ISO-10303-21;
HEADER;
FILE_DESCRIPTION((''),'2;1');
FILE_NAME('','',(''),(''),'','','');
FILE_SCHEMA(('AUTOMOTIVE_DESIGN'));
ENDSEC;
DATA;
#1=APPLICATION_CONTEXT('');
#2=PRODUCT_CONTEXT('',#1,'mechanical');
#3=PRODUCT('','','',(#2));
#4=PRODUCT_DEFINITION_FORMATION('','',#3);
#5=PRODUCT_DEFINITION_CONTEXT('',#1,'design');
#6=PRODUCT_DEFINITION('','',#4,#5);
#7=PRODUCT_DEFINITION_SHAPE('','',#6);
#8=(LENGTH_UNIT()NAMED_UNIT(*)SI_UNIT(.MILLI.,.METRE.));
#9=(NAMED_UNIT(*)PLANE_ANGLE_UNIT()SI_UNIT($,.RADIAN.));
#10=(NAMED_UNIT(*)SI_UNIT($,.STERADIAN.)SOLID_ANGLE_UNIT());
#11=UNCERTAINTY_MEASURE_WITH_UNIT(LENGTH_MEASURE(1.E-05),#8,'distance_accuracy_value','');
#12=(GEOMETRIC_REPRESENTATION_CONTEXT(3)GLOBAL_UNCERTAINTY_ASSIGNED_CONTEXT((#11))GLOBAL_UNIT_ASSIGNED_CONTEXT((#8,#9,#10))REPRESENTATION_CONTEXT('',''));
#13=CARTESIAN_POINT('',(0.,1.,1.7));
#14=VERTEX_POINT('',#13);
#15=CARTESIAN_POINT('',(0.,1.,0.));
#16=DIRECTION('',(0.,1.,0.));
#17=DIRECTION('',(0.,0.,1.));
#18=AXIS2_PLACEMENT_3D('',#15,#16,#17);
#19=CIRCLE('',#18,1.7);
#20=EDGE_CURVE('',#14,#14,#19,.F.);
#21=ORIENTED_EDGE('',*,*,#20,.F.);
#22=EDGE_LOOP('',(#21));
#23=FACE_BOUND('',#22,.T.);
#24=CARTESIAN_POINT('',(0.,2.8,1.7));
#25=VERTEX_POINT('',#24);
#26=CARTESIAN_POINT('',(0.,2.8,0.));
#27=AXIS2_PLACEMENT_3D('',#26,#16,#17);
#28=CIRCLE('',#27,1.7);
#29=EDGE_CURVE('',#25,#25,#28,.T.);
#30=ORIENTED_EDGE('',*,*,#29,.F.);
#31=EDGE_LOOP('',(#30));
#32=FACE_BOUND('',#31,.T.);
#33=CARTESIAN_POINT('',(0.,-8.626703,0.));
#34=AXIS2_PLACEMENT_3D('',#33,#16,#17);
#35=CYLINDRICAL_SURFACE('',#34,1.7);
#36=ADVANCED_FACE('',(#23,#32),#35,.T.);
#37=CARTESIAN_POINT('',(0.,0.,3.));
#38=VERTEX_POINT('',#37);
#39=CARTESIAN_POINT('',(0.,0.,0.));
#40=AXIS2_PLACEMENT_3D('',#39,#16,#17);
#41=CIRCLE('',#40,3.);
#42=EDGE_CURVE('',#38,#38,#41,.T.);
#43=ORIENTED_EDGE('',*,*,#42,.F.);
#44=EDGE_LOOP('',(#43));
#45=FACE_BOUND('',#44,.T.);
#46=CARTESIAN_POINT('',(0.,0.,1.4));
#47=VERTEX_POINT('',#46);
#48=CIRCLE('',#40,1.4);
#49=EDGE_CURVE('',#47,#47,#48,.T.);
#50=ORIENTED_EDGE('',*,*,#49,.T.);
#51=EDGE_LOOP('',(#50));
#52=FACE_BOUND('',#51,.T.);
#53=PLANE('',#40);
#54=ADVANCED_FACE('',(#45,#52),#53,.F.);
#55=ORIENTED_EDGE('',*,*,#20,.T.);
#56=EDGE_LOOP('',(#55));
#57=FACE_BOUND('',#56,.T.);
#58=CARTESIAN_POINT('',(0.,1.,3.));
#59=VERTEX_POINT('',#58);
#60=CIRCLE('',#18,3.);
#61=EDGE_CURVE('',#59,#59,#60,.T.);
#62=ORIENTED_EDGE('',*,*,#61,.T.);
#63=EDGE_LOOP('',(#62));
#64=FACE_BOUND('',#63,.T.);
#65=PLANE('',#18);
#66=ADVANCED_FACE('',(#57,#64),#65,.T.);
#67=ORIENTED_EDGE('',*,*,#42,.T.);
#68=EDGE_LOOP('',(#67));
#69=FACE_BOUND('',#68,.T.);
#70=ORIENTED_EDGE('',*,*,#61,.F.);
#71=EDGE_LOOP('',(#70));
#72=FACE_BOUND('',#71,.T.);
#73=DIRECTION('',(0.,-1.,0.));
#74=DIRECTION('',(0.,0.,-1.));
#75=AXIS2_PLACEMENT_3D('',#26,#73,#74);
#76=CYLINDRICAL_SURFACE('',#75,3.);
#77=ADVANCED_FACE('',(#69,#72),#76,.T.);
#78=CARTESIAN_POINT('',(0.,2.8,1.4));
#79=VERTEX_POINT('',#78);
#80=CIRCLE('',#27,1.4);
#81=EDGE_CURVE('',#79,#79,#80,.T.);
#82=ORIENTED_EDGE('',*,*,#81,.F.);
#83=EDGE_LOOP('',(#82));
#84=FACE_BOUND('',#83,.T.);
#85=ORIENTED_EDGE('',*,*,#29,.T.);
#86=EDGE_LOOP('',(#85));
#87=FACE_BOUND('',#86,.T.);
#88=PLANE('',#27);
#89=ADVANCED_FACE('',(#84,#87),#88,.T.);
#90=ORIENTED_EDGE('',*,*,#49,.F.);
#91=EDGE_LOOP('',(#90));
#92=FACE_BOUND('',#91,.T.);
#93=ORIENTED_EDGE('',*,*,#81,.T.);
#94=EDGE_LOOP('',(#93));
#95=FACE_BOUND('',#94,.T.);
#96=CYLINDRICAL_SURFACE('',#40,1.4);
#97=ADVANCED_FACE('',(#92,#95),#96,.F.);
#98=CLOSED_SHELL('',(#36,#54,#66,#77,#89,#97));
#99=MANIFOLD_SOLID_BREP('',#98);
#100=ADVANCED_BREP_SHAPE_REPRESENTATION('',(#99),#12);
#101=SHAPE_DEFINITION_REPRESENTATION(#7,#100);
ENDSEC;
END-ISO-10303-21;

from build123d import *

# Parameters (mm, degrees)
SKETCH_1_R          = 3
EXTRUDE_1_DEPTH     = 2.8
SKETCH_2_R          = 1.4
CUT_EXTRUDE_1_DEPTH = 6.083306011
SKETCH_3_OUTSIDE_W  = 9.788
SKETCH_3_OUTSIDE_H  = 9.788
SKETCH_3_OUTSIDE_R  = 1.7
CUT_EXTRUDE_2_DEPTH = 1.8


with BuildPart() as part:
    # 草图1 → 拉伸1 (new body)
    with BuildSketch(Plane(origin=(0, 0, 0), x_dir=(1, 0, 0), z_dir=(0, 1, 0))):
        with Locations(Location((0, 0, 0), (0, 0, 270))):
            Circle(SKETCH_1_R)
    extrude(amount=EXTRUDE_1_DEPTH)

    # 草图2 → 切除-拉伸1 (cut, through all)
    with BuildSketch(Plane(origin=(0, 2.8, 0), x_dir=(-1, 0, 0), z_dir=(0, 1, 0))):
        with Locations(Location((0, 0, 0), (0, 0, 90))):
            Circle(SKETCH_2_R)
    extrude(amount=-CUT_EXTRUDE_1_DEPTH, mode=Mode.SUBTRACT)

    # 草图3 outside → 切除-拉伸2 (cut)
    with BuildSketch(Plane(origin=(0, 2.8, 0), x_dir=(1, 0, 0), z_dir=(0, 1, 0))):
        Rectangle(SKETCH_3_OUTSIDE_W, SKETCH_3_OUTSIDE_H)
        with Locations(Location((0, 0, 0), (0, 0, 270))):
            Circle(SKETCH_3_OUTSIDE_R, mode=Mode.SUBTRACT)
    extrude(amount=-CUT_EXTRUDE_2_DEPTH, mode=Mode.SUBTRACT)


solid = part.part
